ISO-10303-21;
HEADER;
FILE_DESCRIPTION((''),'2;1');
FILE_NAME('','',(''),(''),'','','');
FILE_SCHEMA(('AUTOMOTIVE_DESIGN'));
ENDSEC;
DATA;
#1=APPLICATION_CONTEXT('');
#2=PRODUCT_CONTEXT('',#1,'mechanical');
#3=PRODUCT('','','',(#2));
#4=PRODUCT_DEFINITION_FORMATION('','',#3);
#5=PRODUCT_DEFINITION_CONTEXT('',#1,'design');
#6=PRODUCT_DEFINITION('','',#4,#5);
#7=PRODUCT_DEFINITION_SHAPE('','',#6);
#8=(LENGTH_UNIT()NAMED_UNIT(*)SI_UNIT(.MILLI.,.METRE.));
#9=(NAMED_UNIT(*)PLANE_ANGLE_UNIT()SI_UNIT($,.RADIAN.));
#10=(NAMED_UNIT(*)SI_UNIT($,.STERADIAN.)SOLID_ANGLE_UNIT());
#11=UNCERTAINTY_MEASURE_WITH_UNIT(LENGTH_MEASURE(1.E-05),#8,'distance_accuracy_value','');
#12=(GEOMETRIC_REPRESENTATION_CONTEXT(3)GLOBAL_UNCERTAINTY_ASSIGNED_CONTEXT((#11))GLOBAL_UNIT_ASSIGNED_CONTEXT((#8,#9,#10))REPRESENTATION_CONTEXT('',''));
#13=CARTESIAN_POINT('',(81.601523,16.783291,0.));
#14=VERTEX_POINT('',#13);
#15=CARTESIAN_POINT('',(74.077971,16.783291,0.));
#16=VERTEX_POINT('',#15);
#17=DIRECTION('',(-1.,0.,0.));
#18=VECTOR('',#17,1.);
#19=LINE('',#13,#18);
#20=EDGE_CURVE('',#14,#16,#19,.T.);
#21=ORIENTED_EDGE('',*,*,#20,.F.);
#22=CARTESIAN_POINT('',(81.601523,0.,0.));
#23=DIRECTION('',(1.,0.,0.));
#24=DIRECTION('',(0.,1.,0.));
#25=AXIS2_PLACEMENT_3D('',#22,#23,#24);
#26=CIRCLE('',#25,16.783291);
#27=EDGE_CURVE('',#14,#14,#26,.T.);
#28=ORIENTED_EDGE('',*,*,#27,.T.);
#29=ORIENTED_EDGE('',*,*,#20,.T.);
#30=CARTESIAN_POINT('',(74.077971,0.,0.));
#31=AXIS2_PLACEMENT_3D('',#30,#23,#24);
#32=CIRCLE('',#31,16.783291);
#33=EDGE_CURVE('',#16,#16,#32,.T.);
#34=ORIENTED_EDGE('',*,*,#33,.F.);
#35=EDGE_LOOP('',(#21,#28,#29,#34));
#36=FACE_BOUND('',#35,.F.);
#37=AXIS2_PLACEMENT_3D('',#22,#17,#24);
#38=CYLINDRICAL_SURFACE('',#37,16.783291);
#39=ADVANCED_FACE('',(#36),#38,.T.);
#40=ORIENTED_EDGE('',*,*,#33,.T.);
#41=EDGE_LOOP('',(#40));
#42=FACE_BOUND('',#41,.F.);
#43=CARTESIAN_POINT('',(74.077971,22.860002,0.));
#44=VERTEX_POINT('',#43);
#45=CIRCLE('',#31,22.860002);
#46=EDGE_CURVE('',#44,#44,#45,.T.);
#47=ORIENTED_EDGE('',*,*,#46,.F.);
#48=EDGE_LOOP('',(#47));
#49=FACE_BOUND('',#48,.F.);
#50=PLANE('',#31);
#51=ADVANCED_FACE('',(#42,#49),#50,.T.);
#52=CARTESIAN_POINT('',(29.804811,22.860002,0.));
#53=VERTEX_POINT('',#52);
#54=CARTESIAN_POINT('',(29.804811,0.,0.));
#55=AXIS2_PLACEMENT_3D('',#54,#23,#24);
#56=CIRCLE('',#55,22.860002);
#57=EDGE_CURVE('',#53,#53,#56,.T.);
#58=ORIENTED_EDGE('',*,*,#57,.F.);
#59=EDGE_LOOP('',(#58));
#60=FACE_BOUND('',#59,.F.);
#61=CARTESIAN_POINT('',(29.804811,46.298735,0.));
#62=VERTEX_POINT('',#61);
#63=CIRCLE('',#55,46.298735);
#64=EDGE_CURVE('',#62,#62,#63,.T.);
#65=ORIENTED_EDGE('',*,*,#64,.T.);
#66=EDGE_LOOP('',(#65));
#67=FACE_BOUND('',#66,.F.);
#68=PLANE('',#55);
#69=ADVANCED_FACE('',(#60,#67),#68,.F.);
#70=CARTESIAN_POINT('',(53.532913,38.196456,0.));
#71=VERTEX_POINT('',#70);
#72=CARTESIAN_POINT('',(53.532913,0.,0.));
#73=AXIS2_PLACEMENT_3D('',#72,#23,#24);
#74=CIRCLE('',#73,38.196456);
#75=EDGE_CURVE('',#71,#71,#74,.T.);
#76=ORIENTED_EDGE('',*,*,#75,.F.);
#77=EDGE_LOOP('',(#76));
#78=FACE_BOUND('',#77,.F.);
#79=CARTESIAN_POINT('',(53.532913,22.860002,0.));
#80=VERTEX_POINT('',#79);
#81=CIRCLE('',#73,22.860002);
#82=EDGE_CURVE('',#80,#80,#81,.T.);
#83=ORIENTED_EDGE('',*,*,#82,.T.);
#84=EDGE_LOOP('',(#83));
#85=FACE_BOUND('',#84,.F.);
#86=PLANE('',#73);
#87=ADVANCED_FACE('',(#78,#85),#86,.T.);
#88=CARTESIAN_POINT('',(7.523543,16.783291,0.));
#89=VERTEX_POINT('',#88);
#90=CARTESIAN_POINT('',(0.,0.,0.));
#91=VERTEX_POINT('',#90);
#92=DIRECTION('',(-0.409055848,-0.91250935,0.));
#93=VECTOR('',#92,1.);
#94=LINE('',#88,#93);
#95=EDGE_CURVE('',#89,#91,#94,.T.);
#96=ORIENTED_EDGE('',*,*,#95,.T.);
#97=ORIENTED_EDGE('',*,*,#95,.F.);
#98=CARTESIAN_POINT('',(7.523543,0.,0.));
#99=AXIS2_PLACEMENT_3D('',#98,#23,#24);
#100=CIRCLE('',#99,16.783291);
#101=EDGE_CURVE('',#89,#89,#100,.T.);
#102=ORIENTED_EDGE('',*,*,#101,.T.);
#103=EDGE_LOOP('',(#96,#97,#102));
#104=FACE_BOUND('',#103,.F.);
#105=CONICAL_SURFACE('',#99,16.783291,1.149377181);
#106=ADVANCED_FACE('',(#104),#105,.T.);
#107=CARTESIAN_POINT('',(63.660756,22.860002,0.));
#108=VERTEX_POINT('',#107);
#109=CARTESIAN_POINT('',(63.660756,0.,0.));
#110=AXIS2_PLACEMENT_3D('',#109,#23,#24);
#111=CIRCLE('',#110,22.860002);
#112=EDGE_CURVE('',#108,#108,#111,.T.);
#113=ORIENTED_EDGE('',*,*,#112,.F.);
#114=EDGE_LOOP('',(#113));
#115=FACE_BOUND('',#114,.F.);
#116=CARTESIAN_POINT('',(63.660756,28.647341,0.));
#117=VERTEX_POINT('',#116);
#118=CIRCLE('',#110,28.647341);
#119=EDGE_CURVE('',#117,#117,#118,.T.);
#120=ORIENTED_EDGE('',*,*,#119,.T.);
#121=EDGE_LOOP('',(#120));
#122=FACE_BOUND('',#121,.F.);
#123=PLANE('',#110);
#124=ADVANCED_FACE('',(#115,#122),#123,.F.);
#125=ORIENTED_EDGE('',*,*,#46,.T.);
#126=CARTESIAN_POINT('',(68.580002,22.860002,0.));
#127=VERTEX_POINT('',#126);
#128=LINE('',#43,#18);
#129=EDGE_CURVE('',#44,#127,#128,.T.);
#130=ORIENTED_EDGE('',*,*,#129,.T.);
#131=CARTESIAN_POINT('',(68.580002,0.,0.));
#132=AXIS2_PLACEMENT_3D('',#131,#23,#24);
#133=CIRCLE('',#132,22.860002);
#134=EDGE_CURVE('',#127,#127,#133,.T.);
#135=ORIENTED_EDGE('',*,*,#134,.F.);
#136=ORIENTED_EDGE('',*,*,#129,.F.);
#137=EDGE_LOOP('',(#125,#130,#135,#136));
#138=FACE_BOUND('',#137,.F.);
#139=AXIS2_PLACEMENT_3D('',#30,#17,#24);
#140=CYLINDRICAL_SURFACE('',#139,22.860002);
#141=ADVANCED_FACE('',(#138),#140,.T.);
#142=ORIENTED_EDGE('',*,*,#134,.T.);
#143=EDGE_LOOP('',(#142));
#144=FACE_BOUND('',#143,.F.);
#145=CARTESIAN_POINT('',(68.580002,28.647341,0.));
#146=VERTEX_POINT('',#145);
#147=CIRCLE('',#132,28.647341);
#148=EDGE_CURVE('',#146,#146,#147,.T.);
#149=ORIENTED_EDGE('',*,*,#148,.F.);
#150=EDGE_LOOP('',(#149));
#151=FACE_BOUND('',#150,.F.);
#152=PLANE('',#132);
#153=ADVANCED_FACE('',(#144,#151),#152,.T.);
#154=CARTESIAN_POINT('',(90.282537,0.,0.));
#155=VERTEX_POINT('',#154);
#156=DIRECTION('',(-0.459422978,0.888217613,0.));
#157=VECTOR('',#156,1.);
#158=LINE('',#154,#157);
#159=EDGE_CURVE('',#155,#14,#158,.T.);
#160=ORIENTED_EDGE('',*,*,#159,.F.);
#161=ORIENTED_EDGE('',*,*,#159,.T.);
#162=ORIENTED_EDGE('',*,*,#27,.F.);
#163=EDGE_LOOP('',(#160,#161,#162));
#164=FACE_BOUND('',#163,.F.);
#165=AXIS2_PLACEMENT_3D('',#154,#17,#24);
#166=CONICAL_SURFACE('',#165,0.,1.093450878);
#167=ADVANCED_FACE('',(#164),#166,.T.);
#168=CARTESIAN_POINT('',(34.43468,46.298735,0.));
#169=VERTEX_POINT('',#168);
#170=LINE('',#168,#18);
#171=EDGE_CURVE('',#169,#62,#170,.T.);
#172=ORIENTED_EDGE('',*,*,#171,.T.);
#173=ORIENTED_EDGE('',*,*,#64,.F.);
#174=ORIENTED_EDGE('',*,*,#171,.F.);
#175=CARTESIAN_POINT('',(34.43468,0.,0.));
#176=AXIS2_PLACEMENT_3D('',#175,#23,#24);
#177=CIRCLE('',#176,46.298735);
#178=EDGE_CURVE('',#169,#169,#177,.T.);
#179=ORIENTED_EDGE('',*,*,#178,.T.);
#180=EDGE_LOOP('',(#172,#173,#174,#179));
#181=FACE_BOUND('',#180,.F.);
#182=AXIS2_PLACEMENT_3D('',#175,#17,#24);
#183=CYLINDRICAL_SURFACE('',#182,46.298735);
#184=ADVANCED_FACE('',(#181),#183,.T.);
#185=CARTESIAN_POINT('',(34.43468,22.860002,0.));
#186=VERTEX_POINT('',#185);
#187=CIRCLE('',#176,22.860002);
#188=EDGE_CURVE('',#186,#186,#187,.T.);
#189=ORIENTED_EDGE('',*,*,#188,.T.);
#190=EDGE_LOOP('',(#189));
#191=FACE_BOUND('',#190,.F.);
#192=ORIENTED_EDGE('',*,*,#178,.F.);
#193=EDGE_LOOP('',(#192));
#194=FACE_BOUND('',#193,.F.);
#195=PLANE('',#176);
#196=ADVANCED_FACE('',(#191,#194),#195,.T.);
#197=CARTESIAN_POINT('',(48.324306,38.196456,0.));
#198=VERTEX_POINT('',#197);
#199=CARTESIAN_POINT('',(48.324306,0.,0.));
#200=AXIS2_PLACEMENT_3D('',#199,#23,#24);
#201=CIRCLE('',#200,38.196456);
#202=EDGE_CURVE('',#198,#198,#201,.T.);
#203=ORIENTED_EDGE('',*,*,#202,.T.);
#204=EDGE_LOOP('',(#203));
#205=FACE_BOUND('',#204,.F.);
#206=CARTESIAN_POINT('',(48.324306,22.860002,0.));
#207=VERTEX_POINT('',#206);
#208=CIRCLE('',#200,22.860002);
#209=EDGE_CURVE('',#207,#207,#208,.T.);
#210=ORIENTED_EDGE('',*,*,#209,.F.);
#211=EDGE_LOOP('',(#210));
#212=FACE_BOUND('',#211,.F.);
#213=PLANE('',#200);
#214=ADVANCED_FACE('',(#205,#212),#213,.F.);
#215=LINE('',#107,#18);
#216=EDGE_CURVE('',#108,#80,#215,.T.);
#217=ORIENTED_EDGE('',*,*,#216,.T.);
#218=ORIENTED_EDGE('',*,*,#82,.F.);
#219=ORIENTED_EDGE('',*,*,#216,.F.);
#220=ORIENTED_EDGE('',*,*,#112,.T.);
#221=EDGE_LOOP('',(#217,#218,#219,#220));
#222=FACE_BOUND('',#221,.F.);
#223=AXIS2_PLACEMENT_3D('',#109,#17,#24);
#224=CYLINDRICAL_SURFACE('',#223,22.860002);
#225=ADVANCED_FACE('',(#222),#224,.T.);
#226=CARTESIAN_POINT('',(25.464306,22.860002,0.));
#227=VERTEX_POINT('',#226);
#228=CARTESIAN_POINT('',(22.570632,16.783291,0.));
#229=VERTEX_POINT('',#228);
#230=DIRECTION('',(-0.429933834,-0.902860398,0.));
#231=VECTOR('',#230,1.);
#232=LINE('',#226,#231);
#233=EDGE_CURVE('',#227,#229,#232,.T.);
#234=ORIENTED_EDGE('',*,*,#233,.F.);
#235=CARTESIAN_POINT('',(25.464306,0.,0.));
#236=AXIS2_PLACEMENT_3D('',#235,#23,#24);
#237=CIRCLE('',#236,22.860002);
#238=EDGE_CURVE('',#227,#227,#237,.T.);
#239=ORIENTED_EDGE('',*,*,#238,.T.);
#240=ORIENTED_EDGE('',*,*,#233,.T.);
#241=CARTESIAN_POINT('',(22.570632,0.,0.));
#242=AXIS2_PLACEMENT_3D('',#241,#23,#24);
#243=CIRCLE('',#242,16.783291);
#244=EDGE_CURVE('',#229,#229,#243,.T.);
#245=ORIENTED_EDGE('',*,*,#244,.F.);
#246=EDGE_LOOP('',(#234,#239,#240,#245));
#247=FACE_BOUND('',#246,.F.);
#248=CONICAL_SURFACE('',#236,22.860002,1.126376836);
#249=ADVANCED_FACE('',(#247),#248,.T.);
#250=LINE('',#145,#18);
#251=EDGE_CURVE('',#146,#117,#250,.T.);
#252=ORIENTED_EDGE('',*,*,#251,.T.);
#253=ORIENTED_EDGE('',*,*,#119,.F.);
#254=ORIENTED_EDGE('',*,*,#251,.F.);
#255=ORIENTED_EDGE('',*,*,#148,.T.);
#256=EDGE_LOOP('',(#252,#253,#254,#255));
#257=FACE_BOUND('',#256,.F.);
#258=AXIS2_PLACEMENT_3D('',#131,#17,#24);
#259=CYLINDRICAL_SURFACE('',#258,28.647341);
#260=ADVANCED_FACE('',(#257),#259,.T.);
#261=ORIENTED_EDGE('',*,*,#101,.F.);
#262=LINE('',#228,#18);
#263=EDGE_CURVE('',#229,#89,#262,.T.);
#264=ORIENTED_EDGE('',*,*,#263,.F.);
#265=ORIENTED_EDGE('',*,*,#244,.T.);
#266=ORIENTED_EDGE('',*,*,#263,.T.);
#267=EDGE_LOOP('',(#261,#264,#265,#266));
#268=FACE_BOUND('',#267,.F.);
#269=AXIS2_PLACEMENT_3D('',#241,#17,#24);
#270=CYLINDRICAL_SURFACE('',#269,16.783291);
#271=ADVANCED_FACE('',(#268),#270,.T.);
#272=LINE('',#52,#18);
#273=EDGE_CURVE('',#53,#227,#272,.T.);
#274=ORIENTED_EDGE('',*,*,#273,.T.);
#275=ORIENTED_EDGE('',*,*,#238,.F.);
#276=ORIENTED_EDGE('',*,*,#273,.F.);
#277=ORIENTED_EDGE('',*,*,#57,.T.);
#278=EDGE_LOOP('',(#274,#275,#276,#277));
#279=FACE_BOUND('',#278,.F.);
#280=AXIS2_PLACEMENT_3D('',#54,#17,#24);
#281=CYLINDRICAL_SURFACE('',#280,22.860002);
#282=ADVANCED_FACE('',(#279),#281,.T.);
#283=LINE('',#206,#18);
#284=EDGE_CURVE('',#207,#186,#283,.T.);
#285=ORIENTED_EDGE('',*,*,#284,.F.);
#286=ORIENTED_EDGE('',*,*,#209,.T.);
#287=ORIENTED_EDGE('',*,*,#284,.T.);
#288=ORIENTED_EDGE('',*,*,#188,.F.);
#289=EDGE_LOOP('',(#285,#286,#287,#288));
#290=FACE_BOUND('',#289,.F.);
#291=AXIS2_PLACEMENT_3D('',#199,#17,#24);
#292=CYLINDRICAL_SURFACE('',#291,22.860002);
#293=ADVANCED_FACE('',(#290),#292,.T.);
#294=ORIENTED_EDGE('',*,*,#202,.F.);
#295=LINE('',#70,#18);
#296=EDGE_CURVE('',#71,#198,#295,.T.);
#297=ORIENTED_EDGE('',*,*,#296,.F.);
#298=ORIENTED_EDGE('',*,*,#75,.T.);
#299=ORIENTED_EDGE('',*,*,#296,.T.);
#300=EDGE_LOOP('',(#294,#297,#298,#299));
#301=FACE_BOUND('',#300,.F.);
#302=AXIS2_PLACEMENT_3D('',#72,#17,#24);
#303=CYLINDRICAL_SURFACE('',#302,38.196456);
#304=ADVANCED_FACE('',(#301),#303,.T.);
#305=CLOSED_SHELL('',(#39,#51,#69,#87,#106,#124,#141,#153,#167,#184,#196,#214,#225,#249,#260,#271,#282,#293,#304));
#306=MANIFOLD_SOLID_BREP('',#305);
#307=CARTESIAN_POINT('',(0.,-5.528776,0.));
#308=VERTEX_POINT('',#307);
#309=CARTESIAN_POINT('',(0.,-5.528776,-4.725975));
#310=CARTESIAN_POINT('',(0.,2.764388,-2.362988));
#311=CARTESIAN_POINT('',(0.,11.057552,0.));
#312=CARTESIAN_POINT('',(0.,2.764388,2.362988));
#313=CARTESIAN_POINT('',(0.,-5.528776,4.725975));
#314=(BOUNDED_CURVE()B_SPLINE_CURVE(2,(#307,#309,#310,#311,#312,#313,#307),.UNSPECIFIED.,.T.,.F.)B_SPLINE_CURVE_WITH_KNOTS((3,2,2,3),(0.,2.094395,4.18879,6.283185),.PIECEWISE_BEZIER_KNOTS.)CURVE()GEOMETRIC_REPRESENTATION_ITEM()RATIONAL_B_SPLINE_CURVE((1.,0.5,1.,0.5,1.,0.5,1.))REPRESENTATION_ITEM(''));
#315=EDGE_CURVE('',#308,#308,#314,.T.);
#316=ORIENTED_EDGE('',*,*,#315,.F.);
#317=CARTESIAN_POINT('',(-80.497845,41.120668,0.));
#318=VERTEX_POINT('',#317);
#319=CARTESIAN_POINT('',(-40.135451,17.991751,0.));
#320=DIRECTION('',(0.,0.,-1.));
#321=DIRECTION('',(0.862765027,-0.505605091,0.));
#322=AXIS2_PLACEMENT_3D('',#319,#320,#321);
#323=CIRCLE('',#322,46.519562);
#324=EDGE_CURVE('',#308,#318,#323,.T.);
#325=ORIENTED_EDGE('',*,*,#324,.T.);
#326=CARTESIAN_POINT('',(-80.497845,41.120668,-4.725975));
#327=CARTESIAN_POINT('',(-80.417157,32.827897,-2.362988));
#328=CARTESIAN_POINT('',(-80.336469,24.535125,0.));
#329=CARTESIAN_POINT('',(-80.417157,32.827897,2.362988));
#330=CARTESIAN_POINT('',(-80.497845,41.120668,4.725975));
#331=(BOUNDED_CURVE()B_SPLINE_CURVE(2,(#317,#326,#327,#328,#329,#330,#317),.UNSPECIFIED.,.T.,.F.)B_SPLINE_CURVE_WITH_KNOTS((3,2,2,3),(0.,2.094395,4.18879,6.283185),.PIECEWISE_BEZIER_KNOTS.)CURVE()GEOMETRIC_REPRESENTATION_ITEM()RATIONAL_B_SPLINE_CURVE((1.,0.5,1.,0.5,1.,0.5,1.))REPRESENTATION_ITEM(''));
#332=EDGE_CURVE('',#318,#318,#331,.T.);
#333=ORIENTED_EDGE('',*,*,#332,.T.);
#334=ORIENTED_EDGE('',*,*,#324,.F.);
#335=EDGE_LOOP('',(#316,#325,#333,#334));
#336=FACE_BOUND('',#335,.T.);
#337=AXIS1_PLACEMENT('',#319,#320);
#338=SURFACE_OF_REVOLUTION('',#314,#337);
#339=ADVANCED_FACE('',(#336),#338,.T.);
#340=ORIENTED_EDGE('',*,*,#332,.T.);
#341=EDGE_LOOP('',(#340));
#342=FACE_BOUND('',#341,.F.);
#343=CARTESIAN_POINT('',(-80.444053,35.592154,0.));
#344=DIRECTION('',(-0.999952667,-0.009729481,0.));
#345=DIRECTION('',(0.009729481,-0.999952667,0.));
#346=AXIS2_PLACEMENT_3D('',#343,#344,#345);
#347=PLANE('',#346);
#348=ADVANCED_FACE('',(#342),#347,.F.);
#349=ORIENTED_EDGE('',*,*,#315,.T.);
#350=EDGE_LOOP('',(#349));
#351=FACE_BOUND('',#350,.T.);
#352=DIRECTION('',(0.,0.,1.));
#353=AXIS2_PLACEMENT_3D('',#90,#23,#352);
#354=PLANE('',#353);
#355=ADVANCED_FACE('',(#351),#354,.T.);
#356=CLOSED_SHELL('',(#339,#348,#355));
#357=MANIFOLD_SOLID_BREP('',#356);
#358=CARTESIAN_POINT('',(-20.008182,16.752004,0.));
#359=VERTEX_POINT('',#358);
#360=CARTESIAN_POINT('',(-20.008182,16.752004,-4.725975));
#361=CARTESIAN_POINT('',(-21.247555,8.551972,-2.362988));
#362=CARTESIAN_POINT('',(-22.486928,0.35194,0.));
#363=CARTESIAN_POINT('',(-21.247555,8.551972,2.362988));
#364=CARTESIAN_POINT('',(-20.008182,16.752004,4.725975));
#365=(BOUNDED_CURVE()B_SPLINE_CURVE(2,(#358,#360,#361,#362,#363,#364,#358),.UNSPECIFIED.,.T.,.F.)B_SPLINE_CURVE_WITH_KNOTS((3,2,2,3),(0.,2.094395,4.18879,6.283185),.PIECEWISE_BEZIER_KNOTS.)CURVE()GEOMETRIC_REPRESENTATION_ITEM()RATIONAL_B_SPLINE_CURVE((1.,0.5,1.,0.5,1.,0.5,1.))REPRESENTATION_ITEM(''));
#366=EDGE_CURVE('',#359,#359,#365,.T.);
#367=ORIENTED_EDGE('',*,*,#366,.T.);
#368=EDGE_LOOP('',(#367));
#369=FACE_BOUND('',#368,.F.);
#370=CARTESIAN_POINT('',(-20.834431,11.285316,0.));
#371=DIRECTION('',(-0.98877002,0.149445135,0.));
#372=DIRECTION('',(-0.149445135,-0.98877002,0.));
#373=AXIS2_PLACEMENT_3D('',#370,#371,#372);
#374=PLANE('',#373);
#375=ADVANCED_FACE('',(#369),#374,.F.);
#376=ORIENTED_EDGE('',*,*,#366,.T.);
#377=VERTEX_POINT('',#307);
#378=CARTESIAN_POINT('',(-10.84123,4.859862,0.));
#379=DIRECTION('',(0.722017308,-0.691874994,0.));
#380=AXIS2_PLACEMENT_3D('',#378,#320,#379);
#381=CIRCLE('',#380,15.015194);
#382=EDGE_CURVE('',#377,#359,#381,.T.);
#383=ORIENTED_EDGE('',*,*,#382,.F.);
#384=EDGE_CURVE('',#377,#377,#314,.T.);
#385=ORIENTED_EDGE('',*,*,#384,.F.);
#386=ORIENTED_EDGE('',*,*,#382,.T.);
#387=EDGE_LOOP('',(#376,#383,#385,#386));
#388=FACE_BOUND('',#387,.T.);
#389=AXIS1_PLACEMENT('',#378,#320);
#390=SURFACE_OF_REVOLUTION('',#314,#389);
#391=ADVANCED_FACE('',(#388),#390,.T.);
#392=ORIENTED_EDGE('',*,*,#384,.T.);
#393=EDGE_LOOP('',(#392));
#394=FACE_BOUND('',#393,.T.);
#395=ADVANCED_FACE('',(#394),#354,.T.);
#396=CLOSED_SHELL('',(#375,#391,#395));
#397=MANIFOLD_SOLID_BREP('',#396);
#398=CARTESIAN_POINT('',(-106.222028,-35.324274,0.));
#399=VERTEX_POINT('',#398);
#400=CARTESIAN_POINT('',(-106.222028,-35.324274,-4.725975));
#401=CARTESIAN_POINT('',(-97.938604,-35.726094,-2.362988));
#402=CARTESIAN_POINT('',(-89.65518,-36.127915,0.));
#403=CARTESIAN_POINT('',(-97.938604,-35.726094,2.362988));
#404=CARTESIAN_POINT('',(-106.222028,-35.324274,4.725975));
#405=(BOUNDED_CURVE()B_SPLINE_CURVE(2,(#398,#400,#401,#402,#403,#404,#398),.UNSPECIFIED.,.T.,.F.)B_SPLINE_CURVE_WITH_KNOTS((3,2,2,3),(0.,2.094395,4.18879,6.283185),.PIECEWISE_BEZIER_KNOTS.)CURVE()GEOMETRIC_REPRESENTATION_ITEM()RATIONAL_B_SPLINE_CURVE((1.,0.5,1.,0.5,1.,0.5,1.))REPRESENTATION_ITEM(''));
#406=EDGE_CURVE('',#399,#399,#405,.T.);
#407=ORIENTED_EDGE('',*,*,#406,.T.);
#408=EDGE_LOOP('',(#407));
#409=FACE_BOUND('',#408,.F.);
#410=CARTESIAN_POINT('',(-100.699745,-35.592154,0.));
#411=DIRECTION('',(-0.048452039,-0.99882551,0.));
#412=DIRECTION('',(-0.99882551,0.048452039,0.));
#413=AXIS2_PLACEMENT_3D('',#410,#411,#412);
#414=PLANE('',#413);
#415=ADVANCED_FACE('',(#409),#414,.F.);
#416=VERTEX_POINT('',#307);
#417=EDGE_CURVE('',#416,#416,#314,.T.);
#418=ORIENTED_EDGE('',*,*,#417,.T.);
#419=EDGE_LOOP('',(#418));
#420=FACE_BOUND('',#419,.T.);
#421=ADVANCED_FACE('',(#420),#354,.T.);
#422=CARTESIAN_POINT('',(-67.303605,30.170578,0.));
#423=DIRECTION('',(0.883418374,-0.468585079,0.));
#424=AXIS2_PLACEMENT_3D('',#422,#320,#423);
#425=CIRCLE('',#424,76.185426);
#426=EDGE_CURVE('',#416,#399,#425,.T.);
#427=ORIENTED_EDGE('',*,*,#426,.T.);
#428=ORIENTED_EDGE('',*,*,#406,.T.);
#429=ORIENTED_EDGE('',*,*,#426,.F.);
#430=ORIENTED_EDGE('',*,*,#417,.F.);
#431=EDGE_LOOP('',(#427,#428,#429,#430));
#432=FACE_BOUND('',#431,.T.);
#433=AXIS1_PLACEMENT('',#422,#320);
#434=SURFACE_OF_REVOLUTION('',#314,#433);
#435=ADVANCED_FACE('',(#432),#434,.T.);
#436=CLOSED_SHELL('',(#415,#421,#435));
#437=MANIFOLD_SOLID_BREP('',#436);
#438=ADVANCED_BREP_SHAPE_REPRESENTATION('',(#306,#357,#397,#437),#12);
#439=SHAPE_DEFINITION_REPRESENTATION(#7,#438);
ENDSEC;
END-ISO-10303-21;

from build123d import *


with BuildPart() as f2:
    # F0 (on Top) → F2 (revolve)
    with BuildSketch(Plane.XY):
        Polygon((7.523543, 16.783291), (0, 0), (90.282537, 0), (81.601523, 16.783291), (74.077971, 16.783291), (74.077971, 22.860002), (68.580002, 22.860002), (68.580002, 28.647341), (63.660756, 28.647341), (63.660756, 22.860002), (53.532913, 22.860002), (53.532913, 38.196456), (48.324306, 38.196456), (48.324306, 22.860002), (34.43468, 22.860002), (34.43468, 46.298735), (29.804811, 46.298735), (29.804811, 22.860002), (25.464306, 22.860002), (22.570632, 16.783291), align=None)
    revolve(axis=Axis((45.141269, 0, 0), (1, 0, 0)))


with BuildPart() as f3:
    # F3: sweep along a path in F0
    with BuildLine(Plane.XY) as f3_path:
        ThreePointArc((0, 0), (-16.499797, -5.586724), (-20.834431, 11.285316))
    # F1 (on Right) → F3 (sweep)
    with BuildSketch(Plane.YZ):
        with BuildLine():
            add(Edge.make_bspline(
                [(-5.528776, 0), (-5.528776, -4.725975), (2.764388, -2.362988), (11.057552, 0), (2.764388, 2.362988), (-5.528776, 4.725975), (-5.528776, 0)],
                knots=[0, 0, 0, 2.094395, 2.094395, 4.18879, 4.18879, 6.283185, 6.283185, 6.283185], degree=2, weights=[1, 0.5, 1, 0.5, 1, 0.5, 1]))
        make_face()
    sweep(path=f3_path.line)


with BuildPart() as f4:
    # F4: sweep along a path in F0
    with BuildLine(Plane.XY) as f4_path:
        ThreePointArc((0, 0), (-57.931739, -22.230751), (-80.444053, 35.592154))
    # F3_face (on face) → F4 (sweep)
    with BuildSketch(Plane(origin=(0, 0.01341, 0), x_dir=(0, 1, 0), z_dir=(1, 0, 0))):
        with BuildLine():
            add(Edge.make_bspline(
                [(-5.542186, 0), (-5.542186, -4.725975), (2.750978, -2.362988), (11.044142, 0), (2.750978, 2.362988), (-5.542186, 4.725975), (-5.542186, 0)],
                knots=[0, 0, 0, 2.094395, 2.094395, 4.18879, 4.18879, 6.283185, 6.283185, 6.283185], degree=2, weights=[1, 0.5, 1, 0.5, 1, 0.5, 1]))
        make_face()
    sweep(path=f4_path.line)


with BuildPart() as f5:
    # F5: sweep along a path in F0
    with BuildLine(Plane.XY) as f5_path:
        ThreePointArc((0, 0), (-42.724561, -39.370127), (-100.699745, -35.592154))
    # F3_face (on face) → F5 (sweep)
    with BuildSketch(Plane(origin=(0, 0.01341, 0), x_dir=(0, 1, 0), z_dir=(1, 0, 0))):
        with BuildLine():
            add(Edge.make_bspline(
                [(-5.542186, 0), (-5.542186, -4.725975), (2.750978, -2.362988), (11.044142, 0), (2.750978, 2.362988), (-5.542186, 4.725975), (-5.542186, 0)],
                knots=[0, 0, 0, 2.094395, 2.094395, 4.18879, 4.18879, 6.283185, 6.283185, 6.283185], degree=2, weights=[1, 0.5, 1, 0.5, 1, 0.5, 1]))
        make_face()
    sweep(path=f5_path.line)


solid = Compound([f2.part, f3.part, f4.part, f5.part])
